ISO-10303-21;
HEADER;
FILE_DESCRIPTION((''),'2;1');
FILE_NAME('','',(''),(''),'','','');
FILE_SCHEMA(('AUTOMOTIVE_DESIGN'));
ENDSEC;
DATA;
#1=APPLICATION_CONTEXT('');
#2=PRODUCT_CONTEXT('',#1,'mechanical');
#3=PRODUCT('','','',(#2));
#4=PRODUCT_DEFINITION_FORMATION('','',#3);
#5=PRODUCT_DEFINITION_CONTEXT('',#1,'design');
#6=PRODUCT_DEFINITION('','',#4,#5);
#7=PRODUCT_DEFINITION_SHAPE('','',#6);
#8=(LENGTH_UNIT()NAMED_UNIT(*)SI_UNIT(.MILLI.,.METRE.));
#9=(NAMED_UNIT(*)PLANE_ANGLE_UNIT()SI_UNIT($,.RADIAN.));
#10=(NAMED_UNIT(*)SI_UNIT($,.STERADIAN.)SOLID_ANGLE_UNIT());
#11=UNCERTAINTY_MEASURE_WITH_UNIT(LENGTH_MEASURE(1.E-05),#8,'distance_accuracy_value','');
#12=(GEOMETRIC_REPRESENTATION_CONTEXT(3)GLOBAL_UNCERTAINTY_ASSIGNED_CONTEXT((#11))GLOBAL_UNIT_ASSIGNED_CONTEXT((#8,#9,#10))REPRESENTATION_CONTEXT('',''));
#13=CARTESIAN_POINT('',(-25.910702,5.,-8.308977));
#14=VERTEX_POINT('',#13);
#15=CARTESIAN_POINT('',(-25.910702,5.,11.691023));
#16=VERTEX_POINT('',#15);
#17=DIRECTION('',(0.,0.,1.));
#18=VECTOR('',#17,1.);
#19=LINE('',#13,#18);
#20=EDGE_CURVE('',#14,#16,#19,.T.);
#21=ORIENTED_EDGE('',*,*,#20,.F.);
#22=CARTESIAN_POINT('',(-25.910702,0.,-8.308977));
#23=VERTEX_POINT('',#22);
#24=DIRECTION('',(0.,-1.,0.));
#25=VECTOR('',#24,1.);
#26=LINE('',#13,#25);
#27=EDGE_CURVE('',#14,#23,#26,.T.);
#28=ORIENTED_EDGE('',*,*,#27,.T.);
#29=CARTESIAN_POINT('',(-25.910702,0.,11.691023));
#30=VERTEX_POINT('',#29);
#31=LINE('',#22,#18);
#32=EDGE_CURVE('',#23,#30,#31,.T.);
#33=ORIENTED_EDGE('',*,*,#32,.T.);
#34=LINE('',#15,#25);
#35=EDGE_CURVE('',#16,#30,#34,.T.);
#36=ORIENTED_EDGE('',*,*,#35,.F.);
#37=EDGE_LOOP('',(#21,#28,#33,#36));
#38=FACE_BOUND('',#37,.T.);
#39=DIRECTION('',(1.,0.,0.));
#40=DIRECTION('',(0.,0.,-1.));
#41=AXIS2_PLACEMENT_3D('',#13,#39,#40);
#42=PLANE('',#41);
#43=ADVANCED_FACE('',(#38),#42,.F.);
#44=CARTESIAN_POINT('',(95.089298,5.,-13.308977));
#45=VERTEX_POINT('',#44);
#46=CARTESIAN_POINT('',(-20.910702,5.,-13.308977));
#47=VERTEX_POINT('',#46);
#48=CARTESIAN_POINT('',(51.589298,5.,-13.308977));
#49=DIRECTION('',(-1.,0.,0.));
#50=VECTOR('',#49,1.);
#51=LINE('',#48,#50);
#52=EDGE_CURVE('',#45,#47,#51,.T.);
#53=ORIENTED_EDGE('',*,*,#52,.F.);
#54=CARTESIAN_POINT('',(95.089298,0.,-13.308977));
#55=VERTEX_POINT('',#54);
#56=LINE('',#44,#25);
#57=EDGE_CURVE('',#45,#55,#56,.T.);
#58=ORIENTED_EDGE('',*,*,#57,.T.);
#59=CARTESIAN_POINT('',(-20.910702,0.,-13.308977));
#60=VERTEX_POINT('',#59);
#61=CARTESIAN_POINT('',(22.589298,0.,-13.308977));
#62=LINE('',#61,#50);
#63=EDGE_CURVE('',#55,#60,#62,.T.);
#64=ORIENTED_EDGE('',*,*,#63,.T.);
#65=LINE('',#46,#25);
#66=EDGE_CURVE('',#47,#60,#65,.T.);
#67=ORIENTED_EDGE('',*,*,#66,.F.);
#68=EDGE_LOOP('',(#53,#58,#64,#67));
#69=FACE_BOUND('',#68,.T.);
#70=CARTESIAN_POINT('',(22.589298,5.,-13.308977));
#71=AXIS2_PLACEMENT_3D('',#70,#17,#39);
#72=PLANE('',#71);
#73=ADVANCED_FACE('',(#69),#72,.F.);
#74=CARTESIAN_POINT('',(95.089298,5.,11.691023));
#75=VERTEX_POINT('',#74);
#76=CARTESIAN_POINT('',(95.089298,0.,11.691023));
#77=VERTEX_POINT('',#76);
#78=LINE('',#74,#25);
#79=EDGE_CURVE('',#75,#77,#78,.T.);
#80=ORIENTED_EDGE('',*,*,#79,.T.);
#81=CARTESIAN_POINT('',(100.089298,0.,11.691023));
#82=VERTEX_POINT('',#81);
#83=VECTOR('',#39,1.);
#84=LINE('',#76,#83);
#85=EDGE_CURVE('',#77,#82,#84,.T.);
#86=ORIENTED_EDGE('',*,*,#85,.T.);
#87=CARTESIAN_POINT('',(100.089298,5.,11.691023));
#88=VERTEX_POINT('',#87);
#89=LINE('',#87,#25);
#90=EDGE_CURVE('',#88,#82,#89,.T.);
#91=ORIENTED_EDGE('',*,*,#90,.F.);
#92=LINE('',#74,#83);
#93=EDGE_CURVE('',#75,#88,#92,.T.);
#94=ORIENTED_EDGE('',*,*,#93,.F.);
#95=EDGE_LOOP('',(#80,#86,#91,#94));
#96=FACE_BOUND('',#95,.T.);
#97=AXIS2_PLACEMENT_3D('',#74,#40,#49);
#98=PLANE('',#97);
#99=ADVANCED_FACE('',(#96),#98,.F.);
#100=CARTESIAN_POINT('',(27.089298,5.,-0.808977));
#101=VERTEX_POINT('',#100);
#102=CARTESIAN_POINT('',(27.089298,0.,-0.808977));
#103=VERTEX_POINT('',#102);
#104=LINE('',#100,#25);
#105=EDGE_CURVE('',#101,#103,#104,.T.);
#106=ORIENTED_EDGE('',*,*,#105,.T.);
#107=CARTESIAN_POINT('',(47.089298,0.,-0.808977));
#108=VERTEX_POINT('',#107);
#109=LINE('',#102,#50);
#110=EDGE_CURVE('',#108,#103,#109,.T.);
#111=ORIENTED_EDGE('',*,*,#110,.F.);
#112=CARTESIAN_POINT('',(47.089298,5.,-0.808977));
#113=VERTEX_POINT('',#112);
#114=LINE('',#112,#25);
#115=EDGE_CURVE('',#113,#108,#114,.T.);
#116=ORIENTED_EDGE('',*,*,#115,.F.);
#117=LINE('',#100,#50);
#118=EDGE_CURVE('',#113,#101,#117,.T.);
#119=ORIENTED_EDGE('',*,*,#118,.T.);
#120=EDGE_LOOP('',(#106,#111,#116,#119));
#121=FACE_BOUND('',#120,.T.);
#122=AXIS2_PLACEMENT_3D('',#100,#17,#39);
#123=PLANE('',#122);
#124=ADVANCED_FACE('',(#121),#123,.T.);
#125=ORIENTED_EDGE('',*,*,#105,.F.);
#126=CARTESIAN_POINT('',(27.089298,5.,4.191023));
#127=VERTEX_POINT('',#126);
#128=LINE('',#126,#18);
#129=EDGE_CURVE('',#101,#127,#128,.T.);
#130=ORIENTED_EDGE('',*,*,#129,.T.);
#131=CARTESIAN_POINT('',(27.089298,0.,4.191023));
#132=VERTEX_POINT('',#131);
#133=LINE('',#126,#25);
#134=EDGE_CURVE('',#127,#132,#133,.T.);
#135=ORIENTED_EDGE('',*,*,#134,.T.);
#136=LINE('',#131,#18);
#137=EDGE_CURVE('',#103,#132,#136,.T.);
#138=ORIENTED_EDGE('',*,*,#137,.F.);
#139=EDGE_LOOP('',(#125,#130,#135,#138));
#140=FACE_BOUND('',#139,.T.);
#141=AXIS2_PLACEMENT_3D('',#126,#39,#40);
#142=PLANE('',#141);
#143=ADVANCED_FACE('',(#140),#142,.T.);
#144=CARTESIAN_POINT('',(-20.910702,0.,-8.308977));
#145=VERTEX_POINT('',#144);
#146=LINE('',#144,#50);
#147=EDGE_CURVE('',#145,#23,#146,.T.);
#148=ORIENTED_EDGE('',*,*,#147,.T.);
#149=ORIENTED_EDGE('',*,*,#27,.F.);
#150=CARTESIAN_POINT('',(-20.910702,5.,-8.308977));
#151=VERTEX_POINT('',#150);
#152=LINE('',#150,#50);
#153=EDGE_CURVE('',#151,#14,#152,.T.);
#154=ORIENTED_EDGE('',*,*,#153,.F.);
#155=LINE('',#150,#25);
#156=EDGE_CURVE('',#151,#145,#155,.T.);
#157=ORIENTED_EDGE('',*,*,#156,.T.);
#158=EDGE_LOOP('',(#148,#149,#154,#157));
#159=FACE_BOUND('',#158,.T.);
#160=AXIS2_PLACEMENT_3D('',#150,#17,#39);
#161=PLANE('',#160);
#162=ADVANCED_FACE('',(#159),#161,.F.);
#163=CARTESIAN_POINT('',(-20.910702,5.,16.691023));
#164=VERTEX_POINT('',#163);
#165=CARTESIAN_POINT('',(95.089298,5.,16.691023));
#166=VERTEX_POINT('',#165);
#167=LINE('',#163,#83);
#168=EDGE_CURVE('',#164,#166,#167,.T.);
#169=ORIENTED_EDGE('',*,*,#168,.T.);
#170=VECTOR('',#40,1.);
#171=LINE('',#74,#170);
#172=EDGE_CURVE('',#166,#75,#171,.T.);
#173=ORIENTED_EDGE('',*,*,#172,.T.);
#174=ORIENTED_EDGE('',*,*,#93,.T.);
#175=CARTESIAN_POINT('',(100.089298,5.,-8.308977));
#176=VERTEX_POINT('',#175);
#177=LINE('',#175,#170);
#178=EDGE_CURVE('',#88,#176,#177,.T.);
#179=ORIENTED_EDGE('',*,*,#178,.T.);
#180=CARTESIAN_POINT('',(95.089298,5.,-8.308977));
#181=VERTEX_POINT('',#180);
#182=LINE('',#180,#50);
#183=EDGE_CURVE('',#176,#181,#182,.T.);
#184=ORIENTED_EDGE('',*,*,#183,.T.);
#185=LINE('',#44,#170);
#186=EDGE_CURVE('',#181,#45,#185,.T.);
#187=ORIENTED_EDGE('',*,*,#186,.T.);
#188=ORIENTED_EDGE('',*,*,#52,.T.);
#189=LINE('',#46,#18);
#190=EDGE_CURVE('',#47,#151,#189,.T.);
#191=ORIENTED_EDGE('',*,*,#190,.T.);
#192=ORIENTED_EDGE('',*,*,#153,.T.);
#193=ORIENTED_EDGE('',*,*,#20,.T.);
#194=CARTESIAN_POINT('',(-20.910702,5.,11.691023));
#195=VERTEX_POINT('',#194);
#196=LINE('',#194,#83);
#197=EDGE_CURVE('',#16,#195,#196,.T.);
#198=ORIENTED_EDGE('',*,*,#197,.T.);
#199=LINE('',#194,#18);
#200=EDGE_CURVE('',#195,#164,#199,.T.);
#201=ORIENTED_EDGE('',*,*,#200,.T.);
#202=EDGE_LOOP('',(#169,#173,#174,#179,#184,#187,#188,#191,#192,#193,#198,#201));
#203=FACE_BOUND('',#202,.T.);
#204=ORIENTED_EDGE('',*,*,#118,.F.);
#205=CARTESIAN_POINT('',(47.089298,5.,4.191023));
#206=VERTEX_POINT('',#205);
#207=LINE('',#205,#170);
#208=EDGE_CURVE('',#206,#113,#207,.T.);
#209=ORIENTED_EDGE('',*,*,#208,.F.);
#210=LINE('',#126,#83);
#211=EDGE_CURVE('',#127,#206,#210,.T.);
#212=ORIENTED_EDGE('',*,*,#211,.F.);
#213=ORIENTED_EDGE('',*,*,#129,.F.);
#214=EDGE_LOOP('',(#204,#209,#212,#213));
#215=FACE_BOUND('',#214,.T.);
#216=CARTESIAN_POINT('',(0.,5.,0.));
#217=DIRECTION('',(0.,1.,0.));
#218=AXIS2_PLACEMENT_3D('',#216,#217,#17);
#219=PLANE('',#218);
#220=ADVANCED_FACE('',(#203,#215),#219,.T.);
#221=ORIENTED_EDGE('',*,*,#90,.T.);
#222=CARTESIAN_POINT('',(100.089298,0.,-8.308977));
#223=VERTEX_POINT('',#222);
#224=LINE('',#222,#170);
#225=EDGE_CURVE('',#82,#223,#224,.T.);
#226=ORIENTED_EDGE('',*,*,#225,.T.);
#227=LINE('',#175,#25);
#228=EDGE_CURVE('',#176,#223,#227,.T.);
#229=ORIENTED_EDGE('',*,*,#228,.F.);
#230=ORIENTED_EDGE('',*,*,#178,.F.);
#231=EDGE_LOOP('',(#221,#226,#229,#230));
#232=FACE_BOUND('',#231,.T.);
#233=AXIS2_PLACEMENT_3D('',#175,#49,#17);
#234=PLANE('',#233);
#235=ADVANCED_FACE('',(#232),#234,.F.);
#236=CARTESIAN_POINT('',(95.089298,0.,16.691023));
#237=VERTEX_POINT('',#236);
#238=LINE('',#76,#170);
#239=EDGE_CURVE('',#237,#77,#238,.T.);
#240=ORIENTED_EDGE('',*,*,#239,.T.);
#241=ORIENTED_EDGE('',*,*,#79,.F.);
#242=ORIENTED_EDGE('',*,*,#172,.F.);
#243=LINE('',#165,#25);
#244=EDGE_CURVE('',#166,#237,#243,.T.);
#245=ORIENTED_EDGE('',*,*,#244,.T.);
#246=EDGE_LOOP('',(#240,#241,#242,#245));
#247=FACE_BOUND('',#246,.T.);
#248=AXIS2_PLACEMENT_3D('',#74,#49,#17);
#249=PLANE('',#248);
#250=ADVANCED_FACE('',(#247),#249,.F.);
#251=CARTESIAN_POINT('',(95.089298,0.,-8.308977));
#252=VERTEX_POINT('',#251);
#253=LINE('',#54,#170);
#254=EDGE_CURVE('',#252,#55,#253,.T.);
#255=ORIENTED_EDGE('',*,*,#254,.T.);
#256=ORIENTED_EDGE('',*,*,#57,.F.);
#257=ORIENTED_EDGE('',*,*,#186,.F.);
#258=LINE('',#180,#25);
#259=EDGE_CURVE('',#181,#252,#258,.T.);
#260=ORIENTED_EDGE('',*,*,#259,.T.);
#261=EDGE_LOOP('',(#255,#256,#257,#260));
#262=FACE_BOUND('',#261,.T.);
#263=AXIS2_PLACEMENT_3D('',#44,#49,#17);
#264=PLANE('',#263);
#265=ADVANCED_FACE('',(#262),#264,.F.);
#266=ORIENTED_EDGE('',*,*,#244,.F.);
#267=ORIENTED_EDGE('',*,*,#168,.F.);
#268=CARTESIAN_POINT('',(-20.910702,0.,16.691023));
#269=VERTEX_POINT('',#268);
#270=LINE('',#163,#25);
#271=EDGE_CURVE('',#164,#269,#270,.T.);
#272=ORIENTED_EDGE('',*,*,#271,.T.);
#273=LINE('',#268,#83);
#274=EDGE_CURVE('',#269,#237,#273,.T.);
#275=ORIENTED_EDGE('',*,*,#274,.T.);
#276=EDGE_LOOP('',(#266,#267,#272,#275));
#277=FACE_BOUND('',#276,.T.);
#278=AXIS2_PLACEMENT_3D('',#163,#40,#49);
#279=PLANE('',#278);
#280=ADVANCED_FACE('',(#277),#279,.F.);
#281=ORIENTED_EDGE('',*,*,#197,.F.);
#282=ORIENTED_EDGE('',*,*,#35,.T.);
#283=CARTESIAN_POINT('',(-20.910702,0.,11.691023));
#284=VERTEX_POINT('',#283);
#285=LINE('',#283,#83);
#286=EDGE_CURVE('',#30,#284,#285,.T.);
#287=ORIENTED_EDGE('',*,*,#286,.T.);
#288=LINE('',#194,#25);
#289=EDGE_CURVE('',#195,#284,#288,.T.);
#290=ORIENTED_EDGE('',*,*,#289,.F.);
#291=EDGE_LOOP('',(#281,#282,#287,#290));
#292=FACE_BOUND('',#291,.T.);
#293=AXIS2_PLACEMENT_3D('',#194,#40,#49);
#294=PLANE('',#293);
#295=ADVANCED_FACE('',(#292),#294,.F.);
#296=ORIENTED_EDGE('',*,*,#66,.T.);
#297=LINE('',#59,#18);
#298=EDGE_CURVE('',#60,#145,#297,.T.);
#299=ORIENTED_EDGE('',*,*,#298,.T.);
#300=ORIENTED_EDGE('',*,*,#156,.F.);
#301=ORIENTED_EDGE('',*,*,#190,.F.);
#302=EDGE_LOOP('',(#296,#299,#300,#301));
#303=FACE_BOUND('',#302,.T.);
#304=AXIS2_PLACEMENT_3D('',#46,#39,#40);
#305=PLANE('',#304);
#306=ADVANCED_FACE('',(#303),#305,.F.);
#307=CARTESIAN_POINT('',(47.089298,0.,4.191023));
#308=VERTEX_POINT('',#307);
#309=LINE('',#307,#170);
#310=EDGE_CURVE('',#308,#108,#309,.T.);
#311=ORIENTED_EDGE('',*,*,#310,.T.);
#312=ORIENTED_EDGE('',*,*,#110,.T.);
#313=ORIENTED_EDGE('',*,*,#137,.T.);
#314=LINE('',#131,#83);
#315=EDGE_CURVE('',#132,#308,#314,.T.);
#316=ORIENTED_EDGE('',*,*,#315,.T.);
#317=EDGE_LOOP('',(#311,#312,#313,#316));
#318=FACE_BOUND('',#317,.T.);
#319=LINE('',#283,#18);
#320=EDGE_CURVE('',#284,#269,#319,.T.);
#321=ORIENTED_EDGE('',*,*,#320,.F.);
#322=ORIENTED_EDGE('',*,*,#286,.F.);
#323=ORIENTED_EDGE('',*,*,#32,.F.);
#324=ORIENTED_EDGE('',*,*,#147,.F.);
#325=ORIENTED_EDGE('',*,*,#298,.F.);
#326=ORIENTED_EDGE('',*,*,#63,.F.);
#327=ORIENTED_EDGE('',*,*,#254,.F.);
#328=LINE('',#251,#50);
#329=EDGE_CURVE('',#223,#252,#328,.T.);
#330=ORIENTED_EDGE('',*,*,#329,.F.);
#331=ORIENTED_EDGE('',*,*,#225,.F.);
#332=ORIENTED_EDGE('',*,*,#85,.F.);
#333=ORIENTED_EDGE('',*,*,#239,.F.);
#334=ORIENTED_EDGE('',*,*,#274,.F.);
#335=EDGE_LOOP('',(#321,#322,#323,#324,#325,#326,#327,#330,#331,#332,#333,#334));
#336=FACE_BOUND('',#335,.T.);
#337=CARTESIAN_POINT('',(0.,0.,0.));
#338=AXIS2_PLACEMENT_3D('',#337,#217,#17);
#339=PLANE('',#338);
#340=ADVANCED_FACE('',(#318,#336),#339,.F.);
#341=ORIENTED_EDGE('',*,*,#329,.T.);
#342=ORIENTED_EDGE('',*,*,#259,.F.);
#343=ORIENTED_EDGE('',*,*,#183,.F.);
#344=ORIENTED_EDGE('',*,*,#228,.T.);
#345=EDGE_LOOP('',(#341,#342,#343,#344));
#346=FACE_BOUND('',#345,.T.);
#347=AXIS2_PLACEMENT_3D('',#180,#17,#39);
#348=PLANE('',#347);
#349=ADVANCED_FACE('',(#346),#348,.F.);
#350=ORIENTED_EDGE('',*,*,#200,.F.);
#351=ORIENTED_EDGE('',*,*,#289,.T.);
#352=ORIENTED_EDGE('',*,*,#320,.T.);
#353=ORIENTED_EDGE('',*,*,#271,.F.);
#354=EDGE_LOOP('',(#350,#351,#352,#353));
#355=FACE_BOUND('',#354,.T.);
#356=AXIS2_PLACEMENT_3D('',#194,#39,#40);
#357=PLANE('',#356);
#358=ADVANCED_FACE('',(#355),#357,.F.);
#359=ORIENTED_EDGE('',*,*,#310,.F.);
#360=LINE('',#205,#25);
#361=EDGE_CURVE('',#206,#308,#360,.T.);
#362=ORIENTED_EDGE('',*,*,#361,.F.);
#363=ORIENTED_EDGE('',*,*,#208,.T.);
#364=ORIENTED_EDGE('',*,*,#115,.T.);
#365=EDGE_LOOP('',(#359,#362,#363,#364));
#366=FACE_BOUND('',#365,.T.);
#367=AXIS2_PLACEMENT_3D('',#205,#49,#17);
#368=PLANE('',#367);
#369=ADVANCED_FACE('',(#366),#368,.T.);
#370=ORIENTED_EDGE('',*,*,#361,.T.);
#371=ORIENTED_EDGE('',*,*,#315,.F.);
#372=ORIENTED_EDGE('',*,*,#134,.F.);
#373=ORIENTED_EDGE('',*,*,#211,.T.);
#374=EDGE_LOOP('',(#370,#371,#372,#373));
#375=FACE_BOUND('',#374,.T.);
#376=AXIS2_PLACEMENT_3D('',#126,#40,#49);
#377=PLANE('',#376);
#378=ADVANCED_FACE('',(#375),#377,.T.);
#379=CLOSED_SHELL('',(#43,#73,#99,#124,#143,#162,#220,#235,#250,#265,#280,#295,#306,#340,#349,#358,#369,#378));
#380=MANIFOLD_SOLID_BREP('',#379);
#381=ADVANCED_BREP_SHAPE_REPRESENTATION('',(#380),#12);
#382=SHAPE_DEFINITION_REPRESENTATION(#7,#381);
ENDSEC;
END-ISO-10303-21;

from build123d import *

# Parameters (mm, degrees)
SKETCH2_W           = 20
SKETCH2_H           = 5
BOSS_EXTRUDE1_DEPTH = 5


with BuildPart() as part:
    # Sketch2 → Boss-Extrude1 (new body)
    with BuildSketch(Plane(origin=(0, 0, 0), x_dir=(1, 0, 0), z_dir=(0, 1, 0))):
        Polygon((46.589298205, 13.308977097), (51.589298205, 13.308977097), (95.089298205, 13.308977097), (95.089298205, 8.308977097), (100.089298205, 8.308977097), (100.089298205, -11.691022903), (95.089298205, -11.691022903), (95.089298205, -16.691022903), (-20.910701795, -16.691022903), (-20.910701795, -11.691022903), (-25.910701795, -11.691022903), (-25.910701795, 8.308977097), (-20.910701795, 8.308977097), (-20.910701795, 13.308977097), (22.589298205, 13.308977097), (27.589298205, 13.308977097), align=None)
        with Locations((37.089298205, -1.691022903)):
            Rectangle(SKETCH2_W, SKETCH2_H, mode=Mode.SUBTRACT)
    extrude(amount=BOSS_EXTRUDE1_DEPTH)


solid = part.part
